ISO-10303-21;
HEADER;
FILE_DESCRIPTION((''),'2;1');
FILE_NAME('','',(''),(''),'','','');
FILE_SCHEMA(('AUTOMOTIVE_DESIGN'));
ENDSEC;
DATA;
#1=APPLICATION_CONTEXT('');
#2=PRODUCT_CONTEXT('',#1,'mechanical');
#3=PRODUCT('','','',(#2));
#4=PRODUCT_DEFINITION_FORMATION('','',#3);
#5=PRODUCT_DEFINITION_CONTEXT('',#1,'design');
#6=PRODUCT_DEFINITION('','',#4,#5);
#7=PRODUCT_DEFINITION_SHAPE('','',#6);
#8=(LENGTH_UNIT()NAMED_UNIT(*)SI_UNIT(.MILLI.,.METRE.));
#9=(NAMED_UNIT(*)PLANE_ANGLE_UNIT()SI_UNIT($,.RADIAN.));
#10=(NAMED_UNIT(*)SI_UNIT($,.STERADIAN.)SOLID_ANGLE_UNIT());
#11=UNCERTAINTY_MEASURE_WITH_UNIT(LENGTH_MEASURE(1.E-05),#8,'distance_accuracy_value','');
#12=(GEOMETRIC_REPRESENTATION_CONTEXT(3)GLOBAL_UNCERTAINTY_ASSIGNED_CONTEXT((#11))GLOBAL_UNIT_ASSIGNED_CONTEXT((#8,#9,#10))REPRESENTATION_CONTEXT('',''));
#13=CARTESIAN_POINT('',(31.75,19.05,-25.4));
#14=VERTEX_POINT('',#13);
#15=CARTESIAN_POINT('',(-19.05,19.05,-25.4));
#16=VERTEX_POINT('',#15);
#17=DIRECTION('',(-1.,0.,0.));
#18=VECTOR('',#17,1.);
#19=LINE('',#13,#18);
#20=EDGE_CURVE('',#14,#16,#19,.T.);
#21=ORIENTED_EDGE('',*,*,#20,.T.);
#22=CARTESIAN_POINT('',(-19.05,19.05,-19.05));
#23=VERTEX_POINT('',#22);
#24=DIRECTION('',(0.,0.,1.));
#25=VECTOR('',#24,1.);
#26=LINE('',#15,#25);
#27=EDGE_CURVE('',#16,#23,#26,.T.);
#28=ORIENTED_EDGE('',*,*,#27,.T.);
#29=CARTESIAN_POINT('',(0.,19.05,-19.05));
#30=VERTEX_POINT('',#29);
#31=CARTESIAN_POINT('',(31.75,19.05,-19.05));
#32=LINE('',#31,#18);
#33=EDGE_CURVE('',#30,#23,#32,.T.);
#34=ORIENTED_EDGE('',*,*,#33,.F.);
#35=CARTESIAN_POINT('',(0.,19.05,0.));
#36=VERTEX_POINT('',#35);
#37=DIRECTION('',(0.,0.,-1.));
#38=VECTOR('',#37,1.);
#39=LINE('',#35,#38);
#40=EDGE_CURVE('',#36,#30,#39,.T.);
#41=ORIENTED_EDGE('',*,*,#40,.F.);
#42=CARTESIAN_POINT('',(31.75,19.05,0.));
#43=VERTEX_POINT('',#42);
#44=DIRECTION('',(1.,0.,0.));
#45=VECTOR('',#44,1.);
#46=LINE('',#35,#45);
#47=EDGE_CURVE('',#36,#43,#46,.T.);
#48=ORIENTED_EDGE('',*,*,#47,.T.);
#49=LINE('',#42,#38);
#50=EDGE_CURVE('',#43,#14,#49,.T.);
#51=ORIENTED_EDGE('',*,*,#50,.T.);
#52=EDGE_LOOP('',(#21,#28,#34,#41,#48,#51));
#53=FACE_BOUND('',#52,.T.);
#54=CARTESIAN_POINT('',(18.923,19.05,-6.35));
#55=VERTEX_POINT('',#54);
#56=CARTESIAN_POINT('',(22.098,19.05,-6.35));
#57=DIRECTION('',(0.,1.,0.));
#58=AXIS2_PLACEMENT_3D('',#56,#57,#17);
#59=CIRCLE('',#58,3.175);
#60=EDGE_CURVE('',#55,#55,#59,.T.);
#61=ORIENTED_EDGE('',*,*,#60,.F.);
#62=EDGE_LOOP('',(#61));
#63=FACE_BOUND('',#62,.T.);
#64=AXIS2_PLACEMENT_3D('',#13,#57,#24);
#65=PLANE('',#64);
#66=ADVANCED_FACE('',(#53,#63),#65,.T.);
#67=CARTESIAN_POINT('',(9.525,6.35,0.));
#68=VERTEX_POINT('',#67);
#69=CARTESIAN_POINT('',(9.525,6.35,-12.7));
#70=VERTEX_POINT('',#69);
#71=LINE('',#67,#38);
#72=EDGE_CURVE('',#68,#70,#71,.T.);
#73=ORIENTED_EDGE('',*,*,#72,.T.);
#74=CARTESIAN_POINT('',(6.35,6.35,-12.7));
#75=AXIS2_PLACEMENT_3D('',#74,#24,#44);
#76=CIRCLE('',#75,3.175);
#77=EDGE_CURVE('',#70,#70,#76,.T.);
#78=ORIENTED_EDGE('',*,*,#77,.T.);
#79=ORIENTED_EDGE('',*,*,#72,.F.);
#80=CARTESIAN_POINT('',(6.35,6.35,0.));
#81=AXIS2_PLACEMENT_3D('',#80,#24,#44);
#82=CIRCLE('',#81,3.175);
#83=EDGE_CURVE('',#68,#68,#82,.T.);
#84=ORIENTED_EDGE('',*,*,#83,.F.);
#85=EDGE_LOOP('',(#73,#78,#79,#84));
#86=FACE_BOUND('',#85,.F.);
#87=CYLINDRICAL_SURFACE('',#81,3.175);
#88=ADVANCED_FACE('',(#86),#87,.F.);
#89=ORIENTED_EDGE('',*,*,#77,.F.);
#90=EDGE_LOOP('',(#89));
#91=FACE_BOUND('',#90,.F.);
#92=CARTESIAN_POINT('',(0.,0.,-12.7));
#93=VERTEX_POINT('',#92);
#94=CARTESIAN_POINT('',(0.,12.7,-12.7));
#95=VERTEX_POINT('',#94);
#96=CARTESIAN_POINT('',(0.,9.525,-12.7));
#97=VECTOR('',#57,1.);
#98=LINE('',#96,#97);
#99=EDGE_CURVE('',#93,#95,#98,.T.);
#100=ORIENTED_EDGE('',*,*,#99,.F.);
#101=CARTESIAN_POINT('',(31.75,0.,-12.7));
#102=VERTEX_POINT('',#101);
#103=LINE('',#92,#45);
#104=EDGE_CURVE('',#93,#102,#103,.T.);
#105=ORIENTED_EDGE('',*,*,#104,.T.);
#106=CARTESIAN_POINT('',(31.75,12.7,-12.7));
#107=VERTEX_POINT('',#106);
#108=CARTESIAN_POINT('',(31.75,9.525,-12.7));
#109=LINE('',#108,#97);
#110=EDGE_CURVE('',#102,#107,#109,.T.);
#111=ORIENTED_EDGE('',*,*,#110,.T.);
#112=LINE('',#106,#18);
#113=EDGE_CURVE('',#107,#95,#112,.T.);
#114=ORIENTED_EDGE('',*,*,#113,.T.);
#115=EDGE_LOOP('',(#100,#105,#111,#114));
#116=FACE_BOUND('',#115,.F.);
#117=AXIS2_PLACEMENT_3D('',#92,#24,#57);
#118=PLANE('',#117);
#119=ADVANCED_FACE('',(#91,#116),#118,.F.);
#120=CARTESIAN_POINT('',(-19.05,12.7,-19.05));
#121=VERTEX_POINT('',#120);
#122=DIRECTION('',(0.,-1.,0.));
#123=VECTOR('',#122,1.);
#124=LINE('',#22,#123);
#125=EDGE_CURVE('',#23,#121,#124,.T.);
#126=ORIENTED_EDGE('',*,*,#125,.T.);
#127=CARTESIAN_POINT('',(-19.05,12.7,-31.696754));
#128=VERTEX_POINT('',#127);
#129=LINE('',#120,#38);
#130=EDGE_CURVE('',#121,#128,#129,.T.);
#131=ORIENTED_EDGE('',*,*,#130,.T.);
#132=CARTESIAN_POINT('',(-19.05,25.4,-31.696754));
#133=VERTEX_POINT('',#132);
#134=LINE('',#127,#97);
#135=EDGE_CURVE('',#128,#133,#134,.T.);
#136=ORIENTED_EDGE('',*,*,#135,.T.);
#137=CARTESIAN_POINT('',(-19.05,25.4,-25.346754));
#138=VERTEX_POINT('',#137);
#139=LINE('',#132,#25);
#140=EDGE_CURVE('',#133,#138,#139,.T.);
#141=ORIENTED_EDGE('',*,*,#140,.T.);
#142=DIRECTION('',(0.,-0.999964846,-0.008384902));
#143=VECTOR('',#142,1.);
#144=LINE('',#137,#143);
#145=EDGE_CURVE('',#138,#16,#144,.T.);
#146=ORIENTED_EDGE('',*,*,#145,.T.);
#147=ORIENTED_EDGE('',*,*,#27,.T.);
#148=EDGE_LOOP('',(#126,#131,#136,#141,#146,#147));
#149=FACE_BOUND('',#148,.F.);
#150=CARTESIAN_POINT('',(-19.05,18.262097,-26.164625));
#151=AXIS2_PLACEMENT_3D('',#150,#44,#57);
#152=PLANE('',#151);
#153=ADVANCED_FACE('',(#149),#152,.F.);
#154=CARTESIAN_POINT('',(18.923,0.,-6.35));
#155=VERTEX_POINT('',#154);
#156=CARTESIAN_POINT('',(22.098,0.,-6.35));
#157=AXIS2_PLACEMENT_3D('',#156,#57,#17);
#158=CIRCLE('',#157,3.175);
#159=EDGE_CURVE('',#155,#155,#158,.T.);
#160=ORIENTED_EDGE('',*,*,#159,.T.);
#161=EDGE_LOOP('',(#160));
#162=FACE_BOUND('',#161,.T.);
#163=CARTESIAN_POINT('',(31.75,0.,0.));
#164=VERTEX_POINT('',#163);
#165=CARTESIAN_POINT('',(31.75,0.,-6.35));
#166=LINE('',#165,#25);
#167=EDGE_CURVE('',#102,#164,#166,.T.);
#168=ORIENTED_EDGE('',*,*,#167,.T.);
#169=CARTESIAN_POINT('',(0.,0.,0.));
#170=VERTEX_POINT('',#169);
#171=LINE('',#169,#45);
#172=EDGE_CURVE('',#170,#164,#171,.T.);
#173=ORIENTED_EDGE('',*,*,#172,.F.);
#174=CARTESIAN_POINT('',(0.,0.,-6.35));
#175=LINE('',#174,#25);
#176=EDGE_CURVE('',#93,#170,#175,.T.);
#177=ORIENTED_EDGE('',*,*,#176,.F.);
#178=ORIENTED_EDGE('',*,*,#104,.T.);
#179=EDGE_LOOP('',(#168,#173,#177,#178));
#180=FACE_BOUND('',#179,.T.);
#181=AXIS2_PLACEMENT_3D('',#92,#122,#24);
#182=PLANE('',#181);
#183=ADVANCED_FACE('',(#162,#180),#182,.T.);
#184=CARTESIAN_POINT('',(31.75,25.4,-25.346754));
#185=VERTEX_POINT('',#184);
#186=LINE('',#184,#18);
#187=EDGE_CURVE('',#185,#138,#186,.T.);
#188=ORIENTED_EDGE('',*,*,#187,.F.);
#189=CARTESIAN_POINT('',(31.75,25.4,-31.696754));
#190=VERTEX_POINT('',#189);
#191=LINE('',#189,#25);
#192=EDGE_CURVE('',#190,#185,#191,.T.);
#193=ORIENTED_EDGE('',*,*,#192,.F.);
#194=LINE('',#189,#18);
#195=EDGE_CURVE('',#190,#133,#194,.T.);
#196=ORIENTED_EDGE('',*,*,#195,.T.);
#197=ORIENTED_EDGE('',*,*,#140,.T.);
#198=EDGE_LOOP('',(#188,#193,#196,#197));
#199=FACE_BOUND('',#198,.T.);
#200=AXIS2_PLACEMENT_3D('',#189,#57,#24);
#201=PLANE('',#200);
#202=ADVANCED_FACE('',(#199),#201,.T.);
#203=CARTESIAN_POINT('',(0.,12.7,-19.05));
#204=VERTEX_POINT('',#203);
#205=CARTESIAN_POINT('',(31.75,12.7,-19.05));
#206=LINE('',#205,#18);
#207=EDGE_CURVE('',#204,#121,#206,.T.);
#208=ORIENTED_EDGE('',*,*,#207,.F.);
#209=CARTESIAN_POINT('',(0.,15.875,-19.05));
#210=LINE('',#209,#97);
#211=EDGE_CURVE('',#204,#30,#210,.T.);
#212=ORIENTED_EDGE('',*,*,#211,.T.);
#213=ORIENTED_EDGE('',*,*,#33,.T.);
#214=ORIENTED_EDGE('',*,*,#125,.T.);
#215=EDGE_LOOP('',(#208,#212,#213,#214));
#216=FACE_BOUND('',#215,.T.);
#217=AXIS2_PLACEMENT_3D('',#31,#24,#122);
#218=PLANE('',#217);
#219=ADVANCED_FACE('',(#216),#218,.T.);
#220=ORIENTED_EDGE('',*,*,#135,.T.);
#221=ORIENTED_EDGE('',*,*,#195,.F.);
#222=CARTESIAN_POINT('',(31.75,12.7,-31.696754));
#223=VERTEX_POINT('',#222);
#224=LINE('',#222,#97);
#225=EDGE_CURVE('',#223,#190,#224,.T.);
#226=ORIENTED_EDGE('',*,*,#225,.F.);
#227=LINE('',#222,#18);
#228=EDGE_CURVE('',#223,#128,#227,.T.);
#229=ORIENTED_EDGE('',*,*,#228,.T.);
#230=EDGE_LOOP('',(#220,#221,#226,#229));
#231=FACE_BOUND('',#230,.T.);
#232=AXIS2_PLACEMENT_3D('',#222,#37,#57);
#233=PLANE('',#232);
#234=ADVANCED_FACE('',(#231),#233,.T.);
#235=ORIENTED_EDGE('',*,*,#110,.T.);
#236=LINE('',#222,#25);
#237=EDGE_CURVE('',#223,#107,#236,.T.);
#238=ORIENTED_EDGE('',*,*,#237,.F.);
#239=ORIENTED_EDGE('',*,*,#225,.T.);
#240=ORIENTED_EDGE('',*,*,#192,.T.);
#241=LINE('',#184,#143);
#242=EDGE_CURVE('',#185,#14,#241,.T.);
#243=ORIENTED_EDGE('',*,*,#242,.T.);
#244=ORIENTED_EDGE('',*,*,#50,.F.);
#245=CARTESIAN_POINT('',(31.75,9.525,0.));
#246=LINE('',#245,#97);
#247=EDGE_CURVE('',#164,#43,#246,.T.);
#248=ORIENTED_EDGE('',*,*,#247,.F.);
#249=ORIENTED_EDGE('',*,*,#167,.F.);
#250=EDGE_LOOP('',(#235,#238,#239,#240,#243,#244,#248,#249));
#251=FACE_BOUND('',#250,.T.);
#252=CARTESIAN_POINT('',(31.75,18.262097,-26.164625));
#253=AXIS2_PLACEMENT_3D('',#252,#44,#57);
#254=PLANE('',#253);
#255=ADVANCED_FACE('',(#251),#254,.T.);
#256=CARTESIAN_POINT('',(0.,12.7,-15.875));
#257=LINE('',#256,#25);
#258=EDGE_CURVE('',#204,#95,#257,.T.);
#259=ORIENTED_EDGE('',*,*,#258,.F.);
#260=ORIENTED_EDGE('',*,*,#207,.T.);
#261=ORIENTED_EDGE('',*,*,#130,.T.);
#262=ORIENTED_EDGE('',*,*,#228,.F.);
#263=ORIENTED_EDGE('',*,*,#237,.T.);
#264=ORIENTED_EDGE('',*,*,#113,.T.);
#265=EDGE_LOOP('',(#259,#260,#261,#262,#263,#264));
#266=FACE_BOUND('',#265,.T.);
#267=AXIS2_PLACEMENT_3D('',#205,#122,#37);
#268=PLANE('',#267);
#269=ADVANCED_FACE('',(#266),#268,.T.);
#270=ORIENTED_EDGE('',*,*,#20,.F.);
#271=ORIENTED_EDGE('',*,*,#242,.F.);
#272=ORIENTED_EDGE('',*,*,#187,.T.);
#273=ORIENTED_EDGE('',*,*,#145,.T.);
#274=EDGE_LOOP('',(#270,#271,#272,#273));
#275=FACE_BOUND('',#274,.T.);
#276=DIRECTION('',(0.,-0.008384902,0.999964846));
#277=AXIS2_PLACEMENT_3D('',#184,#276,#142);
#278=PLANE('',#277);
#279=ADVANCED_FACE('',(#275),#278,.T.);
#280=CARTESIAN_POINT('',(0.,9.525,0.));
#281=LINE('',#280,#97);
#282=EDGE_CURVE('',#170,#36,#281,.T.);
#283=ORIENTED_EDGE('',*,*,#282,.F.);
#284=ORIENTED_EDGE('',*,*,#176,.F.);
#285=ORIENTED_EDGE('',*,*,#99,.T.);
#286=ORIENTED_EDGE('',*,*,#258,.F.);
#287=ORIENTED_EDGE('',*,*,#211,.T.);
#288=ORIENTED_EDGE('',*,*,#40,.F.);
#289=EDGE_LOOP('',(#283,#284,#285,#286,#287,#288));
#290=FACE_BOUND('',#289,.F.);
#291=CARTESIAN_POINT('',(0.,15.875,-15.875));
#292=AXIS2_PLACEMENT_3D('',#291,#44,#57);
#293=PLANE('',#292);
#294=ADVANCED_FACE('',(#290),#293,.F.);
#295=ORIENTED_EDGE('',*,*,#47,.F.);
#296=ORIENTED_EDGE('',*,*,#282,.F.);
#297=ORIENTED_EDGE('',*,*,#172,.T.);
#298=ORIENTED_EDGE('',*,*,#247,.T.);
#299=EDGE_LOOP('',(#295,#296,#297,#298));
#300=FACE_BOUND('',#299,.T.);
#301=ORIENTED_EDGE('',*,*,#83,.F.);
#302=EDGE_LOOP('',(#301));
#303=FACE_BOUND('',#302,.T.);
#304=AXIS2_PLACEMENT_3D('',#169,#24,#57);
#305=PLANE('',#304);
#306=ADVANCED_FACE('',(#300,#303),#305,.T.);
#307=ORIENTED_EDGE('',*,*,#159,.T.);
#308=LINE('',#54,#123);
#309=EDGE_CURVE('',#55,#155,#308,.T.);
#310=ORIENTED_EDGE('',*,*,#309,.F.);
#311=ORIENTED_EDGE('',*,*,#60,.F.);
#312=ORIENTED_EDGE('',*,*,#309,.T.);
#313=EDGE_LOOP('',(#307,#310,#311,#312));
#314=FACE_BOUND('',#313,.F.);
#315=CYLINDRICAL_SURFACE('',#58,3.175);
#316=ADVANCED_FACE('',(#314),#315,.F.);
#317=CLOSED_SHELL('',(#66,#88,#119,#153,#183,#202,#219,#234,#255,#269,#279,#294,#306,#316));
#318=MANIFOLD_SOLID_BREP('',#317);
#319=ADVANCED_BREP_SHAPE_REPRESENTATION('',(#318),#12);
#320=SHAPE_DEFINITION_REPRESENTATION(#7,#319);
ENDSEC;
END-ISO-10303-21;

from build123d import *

# Parameters (mm, degrees)
F0_W     = 19.05
F0_H     = 12.7
F1_DEPTH = 31.75
F2_W     = 6.35
F2_H     = 6.35
F3_DEPTH = 31.75
F5_DEPTH = 50.8
F6_R     = 3.175
F7_DEPTH = 31.697754
F8_R     = 3.175
F9_DEPTH = 25.4


with BuildPart() as f1:
    # F0 (on Right) → F1 (new body)
    with BuildSketch(Plane.YZ):
        with Locations((9.525, -6.35)):
            Rectangle(F0_W, F0_H)
    extrude(amount=F1_DEPTH)

    # F2 (on face) → F3 (join)
    with BuildSketch(Plane.YZ.offset(31.75)):
        with Locations((15.875, -15.875)):
            Rectangle(F2_W, F2_H)
    extrude(amount=-F3_DEPTH)

    # F4 (on face) → F5 (join)
    with BuildSketch(Plane.YZ.offset(31.75)):
        Polygon((19.05, -19.05), (12.7, -19.05), (12.7, -31.696754), (25.4, -31.696754), (25.4, -25.346754), (19.05, -25.4), align=None)
    extrude(amount=-F5_DEPTH)

    # F6 (on face) → F7 (cut, through all)
    with BuildSketch(Plane.XY):
        with Locations((6.35, 6.35)):
            Circle(F6_R)
    extrude(amount=-F7_DEPTH, mode=Mode.SUBTRACT)

    # F8 (on face) → F9 (cut)
    with BuildSketch(Plane(origin=(0, 19.05, 0), x_dir=(-1, 0, 0), z_dir=(0, 1, 0))):
        with Locations((-22.098, -6.35)):
            Circle(F8_R)
    extrude(amount=-F9_DEPTH, mode=Mode.SUBTRACT)


solid = f1.part
